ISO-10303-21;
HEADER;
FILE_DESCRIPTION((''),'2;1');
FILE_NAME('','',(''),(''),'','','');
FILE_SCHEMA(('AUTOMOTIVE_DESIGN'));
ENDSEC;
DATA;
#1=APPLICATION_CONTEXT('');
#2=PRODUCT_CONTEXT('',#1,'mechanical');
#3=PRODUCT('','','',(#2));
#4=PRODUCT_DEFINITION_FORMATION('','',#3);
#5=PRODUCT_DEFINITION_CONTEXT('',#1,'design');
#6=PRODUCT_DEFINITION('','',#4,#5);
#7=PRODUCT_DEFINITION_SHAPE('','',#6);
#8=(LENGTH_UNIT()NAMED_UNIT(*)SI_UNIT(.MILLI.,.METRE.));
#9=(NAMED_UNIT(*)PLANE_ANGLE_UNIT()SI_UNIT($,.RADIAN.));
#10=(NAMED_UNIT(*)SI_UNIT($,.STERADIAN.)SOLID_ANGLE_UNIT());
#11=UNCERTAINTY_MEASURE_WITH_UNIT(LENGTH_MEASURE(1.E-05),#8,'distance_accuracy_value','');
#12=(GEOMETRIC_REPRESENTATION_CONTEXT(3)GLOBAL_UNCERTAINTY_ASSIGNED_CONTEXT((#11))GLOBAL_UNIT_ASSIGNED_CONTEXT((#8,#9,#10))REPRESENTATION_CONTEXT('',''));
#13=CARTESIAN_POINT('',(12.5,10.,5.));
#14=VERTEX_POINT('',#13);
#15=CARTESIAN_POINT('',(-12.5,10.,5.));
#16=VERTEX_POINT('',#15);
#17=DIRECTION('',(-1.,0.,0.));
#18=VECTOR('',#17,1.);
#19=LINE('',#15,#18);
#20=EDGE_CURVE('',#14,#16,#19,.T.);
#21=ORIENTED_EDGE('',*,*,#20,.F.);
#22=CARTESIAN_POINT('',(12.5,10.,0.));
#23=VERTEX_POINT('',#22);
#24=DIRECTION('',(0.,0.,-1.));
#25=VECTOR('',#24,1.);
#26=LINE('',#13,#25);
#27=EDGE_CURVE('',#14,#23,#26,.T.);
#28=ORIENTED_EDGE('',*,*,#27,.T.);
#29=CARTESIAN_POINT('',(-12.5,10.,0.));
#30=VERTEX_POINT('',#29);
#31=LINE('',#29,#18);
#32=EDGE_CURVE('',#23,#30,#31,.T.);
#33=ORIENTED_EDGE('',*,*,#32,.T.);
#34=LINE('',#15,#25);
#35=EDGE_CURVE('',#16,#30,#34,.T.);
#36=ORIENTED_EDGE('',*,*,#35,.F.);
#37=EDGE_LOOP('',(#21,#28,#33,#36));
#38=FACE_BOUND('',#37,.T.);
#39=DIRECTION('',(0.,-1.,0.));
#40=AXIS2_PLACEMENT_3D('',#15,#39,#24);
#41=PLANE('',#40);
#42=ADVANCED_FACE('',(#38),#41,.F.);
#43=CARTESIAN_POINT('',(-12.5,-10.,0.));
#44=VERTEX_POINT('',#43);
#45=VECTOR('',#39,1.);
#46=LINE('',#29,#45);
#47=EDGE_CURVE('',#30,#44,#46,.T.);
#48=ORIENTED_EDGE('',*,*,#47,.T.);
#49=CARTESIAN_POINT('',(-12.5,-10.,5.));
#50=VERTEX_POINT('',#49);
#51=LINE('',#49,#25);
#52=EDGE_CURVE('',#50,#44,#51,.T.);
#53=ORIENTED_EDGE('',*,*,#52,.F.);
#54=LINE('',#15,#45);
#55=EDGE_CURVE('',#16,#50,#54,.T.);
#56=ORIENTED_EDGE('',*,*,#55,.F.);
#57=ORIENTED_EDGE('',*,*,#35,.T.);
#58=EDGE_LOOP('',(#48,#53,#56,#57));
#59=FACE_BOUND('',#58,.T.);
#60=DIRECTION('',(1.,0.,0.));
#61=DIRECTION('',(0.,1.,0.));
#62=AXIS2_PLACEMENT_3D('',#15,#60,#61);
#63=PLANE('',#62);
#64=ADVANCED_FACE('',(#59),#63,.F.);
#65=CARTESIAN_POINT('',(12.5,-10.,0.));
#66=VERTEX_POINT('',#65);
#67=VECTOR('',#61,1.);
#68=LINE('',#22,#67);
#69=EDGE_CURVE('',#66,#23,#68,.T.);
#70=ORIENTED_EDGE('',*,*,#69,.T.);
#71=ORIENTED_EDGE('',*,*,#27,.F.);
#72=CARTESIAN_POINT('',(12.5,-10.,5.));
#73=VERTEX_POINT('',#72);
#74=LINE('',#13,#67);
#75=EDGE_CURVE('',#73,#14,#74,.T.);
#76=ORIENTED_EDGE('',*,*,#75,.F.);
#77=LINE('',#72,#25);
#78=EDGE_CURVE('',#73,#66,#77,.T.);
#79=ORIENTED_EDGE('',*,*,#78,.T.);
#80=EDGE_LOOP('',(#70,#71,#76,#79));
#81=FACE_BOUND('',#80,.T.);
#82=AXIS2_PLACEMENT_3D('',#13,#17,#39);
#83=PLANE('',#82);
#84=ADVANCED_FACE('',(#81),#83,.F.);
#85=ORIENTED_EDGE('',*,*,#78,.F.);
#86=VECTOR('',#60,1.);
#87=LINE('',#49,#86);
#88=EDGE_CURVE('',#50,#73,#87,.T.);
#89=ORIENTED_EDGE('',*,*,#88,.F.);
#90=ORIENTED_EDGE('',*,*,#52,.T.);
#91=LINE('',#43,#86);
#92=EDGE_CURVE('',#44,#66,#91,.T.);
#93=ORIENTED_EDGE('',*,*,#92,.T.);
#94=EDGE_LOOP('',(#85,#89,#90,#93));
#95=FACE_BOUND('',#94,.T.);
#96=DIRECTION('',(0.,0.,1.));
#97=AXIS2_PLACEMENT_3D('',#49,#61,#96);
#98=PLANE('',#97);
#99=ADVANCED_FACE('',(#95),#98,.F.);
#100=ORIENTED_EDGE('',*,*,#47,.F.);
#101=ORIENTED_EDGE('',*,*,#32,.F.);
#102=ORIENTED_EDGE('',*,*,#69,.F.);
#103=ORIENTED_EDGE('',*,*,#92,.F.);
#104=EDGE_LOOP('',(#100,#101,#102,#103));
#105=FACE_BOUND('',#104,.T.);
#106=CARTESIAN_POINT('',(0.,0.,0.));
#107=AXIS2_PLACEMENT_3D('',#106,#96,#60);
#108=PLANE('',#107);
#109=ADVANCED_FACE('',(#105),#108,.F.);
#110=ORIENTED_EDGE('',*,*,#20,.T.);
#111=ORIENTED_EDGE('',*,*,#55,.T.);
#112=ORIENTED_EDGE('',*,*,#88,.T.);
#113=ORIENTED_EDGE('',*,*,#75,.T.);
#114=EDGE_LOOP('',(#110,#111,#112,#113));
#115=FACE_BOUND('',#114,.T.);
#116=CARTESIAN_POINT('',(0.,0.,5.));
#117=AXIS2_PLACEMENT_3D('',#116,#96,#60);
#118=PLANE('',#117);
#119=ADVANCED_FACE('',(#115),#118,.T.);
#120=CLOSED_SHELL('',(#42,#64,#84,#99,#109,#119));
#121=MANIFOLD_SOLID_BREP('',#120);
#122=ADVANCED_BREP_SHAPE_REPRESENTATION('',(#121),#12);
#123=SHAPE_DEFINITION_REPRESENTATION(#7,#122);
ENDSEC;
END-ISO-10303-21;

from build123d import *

# Parameters (mm, degrees)
SKETCH_1_W      = 25
SKETCH_1_H      = 20
EXTRUDE_1_DEPTH = 5


with BuildPart() as part:
    # 草图1 → 凸台-拉伸1 (new body)
    with BuildSketch(Plane.XY):
        Rectangle(SKETCH_1_W, SKETCH_1_H)
    extrude(amount=EXTRUDE_1_DEPTH)


solid = part.part
